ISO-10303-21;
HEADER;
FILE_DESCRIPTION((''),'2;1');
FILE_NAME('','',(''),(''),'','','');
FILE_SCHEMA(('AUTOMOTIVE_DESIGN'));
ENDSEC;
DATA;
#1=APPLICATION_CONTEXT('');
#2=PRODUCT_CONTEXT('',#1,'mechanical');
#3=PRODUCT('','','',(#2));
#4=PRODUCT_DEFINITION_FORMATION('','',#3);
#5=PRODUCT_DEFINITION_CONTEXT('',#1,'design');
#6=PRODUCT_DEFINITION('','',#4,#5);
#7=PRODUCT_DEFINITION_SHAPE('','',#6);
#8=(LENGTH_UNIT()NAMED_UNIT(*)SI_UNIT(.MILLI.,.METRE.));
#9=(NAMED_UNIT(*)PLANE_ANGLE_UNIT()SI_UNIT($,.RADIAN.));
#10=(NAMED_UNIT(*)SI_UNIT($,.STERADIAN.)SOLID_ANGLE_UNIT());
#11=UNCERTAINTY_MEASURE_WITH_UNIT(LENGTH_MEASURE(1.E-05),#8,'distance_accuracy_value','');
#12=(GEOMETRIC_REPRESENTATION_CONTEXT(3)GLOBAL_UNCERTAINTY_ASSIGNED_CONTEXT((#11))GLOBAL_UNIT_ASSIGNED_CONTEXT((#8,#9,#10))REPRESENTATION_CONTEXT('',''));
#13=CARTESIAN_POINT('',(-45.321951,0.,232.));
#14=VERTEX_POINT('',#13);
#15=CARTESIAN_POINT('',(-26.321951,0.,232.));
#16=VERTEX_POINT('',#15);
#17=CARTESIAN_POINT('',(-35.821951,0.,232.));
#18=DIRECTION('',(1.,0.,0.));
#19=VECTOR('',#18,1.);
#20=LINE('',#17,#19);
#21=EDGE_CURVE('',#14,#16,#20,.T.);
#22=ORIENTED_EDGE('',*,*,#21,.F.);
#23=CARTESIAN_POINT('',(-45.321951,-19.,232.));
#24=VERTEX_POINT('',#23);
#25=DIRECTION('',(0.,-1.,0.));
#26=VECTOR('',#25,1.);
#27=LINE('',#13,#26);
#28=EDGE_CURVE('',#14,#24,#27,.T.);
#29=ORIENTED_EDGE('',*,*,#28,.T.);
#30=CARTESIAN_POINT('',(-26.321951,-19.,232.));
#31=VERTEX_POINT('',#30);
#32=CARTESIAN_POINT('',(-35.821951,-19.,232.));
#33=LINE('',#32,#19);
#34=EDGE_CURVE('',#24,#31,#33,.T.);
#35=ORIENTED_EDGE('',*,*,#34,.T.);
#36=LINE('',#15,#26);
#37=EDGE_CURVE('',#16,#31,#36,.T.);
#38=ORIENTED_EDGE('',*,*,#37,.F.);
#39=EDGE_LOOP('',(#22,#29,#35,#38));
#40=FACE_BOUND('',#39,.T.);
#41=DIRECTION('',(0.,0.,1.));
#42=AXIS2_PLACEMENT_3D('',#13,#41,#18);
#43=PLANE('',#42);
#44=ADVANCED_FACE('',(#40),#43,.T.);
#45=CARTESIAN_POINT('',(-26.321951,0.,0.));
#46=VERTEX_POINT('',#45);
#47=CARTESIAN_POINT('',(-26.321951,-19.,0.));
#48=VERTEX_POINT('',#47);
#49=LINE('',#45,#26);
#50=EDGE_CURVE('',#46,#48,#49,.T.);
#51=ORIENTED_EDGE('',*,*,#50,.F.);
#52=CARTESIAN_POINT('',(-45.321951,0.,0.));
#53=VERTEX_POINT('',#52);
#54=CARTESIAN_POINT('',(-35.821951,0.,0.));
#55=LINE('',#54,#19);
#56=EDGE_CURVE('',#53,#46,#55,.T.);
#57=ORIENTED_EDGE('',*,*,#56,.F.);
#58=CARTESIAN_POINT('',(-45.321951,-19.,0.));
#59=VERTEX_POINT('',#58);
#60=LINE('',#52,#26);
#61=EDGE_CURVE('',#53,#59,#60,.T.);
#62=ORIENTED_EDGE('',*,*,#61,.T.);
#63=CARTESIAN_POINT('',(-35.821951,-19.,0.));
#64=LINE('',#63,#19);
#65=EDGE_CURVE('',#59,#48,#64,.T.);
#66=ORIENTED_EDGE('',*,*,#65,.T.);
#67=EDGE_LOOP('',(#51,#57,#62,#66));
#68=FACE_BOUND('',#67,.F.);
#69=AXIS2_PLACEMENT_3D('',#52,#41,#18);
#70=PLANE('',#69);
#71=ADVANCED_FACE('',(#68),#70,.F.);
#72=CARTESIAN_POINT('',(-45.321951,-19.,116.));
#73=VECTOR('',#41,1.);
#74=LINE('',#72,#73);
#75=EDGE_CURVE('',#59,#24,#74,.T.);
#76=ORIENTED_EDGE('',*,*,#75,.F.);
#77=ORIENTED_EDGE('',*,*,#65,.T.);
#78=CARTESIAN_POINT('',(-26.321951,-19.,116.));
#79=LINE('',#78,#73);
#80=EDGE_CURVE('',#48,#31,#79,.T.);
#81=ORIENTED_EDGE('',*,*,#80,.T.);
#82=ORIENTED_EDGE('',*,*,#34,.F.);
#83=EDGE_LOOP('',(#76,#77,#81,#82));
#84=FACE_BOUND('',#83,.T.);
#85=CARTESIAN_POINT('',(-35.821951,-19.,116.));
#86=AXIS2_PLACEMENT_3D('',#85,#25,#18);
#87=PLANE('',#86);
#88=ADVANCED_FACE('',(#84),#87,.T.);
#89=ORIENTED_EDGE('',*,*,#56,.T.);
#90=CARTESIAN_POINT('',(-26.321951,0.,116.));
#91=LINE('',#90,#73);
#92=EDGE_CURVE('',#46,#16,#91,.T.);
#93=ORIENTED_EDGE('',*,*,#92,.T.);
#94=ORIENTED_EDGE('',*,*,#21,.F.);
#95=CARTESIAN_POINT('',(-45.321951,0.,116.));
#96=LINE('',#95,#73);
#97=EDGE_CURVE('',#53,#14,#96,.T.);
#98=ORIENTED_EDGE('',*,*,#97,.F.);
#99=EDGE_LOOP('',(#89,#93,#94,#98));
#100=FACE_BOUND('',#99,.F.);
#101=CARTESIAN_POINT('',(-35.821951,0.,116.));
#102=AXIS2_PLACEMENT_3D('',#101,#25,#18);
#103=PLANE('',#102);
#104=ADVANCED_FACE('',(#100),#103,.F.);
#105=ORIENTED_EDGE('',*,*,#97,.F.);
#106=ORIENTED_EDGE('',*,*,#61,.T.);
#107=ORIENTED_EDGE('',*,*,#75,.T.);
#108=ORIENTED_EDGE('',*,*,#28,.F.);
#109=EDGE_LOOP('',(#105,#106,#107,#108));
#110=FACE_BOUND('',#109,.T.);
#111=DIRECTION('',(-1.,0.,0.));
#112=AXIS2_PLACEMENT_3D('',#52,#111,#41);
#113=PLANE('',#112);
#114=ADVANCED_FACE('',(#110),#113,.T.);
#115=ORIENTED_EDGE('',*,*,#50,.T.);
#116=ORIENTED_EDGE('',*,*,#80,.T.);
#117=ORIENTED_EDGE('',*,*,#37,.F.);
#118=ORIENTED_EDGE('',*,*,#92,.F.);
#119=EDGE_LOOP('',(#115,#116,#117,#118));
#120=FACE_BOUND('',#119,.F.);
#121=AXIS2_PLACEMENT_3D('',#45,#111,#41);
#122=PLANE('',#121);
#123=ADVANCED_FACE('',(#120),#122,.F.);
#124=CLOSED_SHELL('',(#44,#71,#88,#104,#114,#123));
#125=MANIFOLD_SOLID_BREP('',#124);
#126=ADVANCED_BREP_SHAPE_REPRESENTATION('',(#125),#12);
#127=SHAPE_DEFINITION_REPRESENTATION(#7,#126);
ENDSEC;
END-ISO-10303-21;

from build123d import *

# Parameters (mm, degrees)
F0_W      = 19
F0_H      = 232
F1_DEPTH  = 19
F1_FACE_W = 19
F1_FACE_H = 232
F2_DEPTH  = 19


with BuildPart() as f1:
    # F0 (on Front) → F1 (new body)
    with BuildSketch(Plane.XZ):
        with Locations((-35.821951081, 116)):
            Rectangle(F0_W, F0_H)
    extrude(amount=F1_DEPTH)

    # F0 (on Front) + F1_face (on face) → F2 (join)
    with BuildSketch(Plane.XZ):
        with Locations((-35.821951081, 116)):
            Rectangle(F0_W, F0_H)
    with BuildSketch(Plane(origin=(-35.821951081, 0, 116), x_dir=(1, 0, 0), z_dir=(0, 1, 0))):
        Rectangle(F1_FACE_W, F1_FACE_H)
    extrude(amount=F2_DEPTH, dir=(0, -1, 0))


solid = f1.part
